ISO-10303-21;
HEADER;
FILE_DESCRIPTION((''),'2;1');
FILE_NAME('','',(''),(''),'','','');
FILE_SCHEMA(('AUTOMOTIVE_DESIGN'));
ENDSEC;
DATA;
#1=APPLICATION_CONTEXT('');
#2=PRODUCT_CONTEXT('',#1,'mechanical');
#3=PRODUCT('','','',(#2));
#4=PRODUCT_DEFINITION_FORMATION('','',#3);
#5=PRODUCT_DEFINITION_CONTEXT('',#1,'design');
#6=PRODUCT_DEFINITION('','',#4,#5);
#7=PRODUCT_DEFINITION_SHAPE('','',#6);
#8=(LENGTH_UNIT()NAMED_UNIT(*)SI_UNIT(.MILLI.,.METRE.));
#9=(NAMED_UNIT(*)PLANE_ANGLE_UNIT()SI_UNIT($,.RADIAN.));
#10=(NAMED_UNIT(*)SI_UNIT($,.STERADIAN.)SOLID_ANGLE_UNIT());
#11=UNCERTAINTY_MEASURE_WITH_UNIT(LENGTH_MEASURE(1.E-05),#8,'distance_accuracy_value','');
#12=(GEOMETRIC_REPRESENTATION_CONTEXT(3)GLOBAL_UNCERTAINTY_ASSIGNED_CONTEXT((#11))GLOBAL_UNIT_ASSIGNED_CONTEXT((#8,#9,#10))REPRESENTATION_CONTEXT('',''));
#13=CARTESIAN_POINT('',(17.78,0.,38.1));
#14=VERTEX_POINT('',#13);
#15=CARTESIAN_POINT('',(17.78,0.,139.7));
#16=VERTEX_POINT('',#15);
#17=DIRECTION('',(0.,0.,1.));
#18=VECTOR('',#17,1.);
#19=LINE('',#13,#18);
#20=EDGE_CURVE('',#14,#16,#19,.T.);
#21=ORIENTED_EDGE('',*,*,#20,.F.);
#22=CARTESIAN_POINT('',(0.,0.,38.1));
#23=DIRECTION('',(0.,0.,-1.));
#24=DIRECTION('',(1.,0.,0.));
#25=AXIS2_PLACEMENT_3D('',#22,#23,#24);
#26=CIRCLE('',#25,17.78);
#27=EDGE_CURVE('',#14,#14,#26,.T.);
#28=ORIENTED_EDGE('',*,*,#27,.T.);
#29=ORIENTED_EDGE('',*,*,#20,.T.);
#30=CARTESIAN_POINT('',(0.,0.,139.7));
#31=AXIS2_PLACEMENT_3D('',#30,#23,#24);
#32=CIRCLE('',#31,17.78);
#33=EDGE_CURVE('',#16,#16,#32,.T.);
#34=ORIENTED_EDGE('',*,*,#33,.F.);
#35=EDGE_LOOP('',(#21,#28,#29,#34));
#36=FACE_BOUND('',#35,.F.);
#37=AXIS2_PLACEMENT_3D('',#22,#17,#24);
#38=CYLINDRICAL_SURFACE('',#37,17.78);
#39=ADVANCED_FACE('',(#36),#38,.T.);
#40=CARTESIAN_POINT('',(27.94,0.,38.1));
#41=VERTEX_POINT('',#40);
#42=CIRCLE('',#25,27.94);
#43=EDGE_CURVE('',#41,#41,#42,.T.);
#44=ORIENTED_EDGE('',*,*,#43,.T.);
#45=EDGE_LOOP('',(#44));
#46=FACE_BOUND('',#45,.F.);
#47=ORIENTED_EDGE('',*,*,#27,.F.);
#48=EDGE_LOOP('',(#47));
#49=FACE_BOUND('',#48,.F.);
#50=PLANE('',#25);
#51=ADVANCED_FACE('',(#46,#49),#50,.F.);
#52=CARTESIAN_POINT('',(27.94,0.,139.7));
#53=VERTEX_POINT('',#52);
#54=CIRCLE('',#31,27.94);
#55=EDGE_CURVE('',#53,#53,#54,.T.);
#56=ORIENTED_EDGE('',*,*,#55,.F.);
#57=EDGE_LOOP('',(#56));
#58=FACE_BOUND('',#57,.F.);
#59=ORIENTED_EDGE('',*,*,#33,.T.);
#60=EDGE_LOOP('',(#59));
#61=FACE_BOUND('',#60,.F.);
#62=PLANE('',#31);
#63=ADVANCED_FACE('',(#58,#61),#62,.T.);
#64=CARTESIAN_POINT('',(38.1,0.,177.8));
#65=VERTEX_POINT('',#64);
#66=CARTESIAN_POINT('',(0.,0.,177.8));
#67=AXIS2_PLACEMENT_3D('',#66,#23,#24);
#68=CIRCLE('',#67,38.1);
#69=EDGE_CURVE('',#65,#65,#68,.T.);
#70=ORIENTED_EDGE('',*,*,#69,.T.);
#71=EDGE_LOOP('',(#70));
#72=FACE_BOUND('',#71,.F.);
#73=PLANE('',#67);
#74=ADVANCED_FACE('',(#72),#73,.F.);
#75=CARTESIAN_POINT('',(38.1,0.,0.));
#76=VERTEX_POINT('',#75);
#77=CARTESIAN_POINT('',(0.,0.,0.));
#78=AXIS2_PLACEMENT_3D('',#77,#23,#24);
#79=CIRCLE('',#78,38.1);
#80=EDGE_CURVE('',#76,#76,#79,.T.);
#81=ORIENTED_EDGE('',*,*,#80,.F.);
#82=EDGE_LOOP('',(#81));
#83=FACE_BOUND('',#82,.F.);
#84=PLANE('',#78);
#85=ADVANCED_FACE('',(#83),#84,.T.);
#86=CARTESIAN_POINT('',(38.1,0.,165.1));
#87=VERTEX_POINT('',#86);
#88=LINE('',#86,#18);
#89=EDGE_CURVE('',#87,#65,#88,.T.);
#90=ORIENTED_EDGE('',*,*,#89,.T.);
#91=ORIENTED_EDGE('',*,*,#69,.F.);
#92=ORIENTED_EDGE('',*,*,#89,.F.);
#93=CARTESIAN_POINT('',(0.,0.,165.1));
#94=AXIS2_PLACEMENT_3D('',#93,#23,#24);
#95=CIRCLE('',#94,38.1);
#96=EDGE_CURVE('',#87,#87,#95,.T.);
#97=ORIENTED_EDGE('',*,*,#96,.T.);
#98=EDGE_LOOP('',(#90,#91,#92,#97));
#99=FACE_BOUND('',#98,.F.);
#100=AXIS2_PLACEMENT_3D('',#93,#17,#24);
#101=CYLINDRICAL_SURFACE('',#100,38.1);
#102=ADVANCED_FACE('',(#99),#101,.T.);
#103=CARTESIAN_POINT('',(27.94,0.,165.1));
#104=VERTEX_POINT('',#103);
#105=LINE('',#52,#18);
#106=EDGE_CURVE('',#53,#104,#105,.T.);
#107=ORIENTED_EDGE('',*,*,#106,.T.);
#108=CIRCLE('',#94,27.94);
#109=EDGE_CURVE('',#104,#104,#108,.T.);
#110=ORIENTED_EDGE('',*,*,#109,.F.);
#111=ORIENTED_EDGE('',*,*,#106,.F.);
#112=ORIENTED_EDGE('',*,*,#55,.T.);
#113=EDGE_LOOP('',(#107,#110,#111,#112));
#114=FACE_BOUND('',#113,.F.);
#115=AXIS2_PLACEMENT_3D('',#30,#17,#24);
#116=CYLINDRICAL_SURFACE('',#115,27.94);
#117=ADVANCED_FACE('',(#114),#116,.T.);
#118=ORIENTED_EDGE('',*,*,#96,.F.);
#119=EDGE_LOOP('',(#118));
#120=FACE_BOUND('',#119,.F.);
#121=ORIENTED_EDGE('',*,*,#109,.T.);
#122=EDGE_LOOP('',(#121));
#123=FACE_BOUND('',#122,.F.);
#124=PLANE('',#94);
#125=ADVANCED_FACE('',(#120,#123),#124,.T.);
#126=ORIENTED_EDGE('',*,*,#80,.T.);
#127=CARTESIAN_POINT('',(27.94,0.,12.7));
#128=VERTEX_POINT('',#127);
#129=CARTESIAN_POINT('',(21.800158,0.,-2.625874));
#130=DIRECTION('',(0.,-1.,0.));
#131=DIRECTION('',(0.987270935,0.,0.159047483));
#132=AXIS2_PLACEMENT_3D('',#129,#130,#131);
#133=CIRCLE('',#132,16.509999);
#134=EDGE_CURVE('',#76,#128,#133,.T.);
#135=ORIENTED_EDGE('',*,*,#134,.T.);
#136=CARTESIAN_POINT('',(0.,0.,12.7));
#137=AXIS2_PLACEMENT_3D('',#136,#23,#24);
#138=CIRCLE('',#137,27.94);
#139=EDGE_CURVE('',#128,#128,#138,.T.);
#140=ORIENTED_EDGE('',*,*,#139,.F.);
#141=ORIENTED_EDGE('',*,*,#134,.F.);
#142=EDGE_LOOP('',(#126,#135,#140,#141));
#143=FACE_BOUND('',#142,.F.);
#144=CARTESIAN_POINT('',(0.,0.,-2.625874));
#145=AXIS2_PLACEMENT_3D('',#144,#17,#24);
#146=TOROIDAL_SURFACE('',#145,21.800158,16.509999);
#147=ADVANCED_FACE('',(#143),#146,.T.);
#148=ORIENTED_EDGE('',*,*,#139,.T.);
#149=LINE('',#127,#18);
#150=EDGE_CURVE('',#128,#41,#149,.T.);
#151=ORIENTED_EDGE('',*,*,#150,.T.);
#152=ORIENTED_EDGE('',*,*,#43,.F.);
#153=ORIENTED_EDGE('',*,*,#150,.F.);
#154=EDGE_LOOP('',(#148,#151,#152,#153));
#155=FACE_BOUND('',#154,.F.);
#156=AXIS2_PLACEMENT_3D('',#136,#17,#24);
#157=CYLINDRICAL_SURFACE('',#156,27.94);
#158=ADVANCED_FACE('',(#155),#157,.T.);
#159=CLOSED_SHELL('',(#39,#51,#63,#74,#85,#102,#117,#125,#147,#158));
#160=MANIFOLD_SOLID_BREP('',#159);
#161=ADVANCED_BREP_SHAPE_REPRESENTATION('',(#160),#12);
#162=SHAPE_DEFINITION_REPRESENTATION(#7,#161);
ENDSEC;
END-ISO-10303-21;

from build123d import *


with BuildPart() as f1:
    # F0 (on Front) → F1 (revolve)
    with BuildSketch(Plane.XZ):
        with BuildLine():
            Line((0, 177.8), (0, 0))
            Line((0, 0), (38.1, 0))
            ThreePointArc((38.1, 0), (34.692301, 7.687841), (27.94, 12.7))
            Line((27.94, 12.7), (27.94, 38.1))
            Line((27.94, 38.1), (17.78, 38.1))
            Line((17.78, 38.1), (17.78, 139.7))
            Line((17.78, 139.7), (27.94, 139.7))
            Line((27.94, 139.7), (27.94, 165.1))
            Line((27.94, 165.1), (38.1, 165.1))
            Line((38.1, 165.1), (38.1, 177.8))
            Line((38.1, 177.8), (0, 177.8))
        make_face()
    revolve(axis=Axis((0, 0, 88.9), (0, 0, -1)))


solid = f1.part
